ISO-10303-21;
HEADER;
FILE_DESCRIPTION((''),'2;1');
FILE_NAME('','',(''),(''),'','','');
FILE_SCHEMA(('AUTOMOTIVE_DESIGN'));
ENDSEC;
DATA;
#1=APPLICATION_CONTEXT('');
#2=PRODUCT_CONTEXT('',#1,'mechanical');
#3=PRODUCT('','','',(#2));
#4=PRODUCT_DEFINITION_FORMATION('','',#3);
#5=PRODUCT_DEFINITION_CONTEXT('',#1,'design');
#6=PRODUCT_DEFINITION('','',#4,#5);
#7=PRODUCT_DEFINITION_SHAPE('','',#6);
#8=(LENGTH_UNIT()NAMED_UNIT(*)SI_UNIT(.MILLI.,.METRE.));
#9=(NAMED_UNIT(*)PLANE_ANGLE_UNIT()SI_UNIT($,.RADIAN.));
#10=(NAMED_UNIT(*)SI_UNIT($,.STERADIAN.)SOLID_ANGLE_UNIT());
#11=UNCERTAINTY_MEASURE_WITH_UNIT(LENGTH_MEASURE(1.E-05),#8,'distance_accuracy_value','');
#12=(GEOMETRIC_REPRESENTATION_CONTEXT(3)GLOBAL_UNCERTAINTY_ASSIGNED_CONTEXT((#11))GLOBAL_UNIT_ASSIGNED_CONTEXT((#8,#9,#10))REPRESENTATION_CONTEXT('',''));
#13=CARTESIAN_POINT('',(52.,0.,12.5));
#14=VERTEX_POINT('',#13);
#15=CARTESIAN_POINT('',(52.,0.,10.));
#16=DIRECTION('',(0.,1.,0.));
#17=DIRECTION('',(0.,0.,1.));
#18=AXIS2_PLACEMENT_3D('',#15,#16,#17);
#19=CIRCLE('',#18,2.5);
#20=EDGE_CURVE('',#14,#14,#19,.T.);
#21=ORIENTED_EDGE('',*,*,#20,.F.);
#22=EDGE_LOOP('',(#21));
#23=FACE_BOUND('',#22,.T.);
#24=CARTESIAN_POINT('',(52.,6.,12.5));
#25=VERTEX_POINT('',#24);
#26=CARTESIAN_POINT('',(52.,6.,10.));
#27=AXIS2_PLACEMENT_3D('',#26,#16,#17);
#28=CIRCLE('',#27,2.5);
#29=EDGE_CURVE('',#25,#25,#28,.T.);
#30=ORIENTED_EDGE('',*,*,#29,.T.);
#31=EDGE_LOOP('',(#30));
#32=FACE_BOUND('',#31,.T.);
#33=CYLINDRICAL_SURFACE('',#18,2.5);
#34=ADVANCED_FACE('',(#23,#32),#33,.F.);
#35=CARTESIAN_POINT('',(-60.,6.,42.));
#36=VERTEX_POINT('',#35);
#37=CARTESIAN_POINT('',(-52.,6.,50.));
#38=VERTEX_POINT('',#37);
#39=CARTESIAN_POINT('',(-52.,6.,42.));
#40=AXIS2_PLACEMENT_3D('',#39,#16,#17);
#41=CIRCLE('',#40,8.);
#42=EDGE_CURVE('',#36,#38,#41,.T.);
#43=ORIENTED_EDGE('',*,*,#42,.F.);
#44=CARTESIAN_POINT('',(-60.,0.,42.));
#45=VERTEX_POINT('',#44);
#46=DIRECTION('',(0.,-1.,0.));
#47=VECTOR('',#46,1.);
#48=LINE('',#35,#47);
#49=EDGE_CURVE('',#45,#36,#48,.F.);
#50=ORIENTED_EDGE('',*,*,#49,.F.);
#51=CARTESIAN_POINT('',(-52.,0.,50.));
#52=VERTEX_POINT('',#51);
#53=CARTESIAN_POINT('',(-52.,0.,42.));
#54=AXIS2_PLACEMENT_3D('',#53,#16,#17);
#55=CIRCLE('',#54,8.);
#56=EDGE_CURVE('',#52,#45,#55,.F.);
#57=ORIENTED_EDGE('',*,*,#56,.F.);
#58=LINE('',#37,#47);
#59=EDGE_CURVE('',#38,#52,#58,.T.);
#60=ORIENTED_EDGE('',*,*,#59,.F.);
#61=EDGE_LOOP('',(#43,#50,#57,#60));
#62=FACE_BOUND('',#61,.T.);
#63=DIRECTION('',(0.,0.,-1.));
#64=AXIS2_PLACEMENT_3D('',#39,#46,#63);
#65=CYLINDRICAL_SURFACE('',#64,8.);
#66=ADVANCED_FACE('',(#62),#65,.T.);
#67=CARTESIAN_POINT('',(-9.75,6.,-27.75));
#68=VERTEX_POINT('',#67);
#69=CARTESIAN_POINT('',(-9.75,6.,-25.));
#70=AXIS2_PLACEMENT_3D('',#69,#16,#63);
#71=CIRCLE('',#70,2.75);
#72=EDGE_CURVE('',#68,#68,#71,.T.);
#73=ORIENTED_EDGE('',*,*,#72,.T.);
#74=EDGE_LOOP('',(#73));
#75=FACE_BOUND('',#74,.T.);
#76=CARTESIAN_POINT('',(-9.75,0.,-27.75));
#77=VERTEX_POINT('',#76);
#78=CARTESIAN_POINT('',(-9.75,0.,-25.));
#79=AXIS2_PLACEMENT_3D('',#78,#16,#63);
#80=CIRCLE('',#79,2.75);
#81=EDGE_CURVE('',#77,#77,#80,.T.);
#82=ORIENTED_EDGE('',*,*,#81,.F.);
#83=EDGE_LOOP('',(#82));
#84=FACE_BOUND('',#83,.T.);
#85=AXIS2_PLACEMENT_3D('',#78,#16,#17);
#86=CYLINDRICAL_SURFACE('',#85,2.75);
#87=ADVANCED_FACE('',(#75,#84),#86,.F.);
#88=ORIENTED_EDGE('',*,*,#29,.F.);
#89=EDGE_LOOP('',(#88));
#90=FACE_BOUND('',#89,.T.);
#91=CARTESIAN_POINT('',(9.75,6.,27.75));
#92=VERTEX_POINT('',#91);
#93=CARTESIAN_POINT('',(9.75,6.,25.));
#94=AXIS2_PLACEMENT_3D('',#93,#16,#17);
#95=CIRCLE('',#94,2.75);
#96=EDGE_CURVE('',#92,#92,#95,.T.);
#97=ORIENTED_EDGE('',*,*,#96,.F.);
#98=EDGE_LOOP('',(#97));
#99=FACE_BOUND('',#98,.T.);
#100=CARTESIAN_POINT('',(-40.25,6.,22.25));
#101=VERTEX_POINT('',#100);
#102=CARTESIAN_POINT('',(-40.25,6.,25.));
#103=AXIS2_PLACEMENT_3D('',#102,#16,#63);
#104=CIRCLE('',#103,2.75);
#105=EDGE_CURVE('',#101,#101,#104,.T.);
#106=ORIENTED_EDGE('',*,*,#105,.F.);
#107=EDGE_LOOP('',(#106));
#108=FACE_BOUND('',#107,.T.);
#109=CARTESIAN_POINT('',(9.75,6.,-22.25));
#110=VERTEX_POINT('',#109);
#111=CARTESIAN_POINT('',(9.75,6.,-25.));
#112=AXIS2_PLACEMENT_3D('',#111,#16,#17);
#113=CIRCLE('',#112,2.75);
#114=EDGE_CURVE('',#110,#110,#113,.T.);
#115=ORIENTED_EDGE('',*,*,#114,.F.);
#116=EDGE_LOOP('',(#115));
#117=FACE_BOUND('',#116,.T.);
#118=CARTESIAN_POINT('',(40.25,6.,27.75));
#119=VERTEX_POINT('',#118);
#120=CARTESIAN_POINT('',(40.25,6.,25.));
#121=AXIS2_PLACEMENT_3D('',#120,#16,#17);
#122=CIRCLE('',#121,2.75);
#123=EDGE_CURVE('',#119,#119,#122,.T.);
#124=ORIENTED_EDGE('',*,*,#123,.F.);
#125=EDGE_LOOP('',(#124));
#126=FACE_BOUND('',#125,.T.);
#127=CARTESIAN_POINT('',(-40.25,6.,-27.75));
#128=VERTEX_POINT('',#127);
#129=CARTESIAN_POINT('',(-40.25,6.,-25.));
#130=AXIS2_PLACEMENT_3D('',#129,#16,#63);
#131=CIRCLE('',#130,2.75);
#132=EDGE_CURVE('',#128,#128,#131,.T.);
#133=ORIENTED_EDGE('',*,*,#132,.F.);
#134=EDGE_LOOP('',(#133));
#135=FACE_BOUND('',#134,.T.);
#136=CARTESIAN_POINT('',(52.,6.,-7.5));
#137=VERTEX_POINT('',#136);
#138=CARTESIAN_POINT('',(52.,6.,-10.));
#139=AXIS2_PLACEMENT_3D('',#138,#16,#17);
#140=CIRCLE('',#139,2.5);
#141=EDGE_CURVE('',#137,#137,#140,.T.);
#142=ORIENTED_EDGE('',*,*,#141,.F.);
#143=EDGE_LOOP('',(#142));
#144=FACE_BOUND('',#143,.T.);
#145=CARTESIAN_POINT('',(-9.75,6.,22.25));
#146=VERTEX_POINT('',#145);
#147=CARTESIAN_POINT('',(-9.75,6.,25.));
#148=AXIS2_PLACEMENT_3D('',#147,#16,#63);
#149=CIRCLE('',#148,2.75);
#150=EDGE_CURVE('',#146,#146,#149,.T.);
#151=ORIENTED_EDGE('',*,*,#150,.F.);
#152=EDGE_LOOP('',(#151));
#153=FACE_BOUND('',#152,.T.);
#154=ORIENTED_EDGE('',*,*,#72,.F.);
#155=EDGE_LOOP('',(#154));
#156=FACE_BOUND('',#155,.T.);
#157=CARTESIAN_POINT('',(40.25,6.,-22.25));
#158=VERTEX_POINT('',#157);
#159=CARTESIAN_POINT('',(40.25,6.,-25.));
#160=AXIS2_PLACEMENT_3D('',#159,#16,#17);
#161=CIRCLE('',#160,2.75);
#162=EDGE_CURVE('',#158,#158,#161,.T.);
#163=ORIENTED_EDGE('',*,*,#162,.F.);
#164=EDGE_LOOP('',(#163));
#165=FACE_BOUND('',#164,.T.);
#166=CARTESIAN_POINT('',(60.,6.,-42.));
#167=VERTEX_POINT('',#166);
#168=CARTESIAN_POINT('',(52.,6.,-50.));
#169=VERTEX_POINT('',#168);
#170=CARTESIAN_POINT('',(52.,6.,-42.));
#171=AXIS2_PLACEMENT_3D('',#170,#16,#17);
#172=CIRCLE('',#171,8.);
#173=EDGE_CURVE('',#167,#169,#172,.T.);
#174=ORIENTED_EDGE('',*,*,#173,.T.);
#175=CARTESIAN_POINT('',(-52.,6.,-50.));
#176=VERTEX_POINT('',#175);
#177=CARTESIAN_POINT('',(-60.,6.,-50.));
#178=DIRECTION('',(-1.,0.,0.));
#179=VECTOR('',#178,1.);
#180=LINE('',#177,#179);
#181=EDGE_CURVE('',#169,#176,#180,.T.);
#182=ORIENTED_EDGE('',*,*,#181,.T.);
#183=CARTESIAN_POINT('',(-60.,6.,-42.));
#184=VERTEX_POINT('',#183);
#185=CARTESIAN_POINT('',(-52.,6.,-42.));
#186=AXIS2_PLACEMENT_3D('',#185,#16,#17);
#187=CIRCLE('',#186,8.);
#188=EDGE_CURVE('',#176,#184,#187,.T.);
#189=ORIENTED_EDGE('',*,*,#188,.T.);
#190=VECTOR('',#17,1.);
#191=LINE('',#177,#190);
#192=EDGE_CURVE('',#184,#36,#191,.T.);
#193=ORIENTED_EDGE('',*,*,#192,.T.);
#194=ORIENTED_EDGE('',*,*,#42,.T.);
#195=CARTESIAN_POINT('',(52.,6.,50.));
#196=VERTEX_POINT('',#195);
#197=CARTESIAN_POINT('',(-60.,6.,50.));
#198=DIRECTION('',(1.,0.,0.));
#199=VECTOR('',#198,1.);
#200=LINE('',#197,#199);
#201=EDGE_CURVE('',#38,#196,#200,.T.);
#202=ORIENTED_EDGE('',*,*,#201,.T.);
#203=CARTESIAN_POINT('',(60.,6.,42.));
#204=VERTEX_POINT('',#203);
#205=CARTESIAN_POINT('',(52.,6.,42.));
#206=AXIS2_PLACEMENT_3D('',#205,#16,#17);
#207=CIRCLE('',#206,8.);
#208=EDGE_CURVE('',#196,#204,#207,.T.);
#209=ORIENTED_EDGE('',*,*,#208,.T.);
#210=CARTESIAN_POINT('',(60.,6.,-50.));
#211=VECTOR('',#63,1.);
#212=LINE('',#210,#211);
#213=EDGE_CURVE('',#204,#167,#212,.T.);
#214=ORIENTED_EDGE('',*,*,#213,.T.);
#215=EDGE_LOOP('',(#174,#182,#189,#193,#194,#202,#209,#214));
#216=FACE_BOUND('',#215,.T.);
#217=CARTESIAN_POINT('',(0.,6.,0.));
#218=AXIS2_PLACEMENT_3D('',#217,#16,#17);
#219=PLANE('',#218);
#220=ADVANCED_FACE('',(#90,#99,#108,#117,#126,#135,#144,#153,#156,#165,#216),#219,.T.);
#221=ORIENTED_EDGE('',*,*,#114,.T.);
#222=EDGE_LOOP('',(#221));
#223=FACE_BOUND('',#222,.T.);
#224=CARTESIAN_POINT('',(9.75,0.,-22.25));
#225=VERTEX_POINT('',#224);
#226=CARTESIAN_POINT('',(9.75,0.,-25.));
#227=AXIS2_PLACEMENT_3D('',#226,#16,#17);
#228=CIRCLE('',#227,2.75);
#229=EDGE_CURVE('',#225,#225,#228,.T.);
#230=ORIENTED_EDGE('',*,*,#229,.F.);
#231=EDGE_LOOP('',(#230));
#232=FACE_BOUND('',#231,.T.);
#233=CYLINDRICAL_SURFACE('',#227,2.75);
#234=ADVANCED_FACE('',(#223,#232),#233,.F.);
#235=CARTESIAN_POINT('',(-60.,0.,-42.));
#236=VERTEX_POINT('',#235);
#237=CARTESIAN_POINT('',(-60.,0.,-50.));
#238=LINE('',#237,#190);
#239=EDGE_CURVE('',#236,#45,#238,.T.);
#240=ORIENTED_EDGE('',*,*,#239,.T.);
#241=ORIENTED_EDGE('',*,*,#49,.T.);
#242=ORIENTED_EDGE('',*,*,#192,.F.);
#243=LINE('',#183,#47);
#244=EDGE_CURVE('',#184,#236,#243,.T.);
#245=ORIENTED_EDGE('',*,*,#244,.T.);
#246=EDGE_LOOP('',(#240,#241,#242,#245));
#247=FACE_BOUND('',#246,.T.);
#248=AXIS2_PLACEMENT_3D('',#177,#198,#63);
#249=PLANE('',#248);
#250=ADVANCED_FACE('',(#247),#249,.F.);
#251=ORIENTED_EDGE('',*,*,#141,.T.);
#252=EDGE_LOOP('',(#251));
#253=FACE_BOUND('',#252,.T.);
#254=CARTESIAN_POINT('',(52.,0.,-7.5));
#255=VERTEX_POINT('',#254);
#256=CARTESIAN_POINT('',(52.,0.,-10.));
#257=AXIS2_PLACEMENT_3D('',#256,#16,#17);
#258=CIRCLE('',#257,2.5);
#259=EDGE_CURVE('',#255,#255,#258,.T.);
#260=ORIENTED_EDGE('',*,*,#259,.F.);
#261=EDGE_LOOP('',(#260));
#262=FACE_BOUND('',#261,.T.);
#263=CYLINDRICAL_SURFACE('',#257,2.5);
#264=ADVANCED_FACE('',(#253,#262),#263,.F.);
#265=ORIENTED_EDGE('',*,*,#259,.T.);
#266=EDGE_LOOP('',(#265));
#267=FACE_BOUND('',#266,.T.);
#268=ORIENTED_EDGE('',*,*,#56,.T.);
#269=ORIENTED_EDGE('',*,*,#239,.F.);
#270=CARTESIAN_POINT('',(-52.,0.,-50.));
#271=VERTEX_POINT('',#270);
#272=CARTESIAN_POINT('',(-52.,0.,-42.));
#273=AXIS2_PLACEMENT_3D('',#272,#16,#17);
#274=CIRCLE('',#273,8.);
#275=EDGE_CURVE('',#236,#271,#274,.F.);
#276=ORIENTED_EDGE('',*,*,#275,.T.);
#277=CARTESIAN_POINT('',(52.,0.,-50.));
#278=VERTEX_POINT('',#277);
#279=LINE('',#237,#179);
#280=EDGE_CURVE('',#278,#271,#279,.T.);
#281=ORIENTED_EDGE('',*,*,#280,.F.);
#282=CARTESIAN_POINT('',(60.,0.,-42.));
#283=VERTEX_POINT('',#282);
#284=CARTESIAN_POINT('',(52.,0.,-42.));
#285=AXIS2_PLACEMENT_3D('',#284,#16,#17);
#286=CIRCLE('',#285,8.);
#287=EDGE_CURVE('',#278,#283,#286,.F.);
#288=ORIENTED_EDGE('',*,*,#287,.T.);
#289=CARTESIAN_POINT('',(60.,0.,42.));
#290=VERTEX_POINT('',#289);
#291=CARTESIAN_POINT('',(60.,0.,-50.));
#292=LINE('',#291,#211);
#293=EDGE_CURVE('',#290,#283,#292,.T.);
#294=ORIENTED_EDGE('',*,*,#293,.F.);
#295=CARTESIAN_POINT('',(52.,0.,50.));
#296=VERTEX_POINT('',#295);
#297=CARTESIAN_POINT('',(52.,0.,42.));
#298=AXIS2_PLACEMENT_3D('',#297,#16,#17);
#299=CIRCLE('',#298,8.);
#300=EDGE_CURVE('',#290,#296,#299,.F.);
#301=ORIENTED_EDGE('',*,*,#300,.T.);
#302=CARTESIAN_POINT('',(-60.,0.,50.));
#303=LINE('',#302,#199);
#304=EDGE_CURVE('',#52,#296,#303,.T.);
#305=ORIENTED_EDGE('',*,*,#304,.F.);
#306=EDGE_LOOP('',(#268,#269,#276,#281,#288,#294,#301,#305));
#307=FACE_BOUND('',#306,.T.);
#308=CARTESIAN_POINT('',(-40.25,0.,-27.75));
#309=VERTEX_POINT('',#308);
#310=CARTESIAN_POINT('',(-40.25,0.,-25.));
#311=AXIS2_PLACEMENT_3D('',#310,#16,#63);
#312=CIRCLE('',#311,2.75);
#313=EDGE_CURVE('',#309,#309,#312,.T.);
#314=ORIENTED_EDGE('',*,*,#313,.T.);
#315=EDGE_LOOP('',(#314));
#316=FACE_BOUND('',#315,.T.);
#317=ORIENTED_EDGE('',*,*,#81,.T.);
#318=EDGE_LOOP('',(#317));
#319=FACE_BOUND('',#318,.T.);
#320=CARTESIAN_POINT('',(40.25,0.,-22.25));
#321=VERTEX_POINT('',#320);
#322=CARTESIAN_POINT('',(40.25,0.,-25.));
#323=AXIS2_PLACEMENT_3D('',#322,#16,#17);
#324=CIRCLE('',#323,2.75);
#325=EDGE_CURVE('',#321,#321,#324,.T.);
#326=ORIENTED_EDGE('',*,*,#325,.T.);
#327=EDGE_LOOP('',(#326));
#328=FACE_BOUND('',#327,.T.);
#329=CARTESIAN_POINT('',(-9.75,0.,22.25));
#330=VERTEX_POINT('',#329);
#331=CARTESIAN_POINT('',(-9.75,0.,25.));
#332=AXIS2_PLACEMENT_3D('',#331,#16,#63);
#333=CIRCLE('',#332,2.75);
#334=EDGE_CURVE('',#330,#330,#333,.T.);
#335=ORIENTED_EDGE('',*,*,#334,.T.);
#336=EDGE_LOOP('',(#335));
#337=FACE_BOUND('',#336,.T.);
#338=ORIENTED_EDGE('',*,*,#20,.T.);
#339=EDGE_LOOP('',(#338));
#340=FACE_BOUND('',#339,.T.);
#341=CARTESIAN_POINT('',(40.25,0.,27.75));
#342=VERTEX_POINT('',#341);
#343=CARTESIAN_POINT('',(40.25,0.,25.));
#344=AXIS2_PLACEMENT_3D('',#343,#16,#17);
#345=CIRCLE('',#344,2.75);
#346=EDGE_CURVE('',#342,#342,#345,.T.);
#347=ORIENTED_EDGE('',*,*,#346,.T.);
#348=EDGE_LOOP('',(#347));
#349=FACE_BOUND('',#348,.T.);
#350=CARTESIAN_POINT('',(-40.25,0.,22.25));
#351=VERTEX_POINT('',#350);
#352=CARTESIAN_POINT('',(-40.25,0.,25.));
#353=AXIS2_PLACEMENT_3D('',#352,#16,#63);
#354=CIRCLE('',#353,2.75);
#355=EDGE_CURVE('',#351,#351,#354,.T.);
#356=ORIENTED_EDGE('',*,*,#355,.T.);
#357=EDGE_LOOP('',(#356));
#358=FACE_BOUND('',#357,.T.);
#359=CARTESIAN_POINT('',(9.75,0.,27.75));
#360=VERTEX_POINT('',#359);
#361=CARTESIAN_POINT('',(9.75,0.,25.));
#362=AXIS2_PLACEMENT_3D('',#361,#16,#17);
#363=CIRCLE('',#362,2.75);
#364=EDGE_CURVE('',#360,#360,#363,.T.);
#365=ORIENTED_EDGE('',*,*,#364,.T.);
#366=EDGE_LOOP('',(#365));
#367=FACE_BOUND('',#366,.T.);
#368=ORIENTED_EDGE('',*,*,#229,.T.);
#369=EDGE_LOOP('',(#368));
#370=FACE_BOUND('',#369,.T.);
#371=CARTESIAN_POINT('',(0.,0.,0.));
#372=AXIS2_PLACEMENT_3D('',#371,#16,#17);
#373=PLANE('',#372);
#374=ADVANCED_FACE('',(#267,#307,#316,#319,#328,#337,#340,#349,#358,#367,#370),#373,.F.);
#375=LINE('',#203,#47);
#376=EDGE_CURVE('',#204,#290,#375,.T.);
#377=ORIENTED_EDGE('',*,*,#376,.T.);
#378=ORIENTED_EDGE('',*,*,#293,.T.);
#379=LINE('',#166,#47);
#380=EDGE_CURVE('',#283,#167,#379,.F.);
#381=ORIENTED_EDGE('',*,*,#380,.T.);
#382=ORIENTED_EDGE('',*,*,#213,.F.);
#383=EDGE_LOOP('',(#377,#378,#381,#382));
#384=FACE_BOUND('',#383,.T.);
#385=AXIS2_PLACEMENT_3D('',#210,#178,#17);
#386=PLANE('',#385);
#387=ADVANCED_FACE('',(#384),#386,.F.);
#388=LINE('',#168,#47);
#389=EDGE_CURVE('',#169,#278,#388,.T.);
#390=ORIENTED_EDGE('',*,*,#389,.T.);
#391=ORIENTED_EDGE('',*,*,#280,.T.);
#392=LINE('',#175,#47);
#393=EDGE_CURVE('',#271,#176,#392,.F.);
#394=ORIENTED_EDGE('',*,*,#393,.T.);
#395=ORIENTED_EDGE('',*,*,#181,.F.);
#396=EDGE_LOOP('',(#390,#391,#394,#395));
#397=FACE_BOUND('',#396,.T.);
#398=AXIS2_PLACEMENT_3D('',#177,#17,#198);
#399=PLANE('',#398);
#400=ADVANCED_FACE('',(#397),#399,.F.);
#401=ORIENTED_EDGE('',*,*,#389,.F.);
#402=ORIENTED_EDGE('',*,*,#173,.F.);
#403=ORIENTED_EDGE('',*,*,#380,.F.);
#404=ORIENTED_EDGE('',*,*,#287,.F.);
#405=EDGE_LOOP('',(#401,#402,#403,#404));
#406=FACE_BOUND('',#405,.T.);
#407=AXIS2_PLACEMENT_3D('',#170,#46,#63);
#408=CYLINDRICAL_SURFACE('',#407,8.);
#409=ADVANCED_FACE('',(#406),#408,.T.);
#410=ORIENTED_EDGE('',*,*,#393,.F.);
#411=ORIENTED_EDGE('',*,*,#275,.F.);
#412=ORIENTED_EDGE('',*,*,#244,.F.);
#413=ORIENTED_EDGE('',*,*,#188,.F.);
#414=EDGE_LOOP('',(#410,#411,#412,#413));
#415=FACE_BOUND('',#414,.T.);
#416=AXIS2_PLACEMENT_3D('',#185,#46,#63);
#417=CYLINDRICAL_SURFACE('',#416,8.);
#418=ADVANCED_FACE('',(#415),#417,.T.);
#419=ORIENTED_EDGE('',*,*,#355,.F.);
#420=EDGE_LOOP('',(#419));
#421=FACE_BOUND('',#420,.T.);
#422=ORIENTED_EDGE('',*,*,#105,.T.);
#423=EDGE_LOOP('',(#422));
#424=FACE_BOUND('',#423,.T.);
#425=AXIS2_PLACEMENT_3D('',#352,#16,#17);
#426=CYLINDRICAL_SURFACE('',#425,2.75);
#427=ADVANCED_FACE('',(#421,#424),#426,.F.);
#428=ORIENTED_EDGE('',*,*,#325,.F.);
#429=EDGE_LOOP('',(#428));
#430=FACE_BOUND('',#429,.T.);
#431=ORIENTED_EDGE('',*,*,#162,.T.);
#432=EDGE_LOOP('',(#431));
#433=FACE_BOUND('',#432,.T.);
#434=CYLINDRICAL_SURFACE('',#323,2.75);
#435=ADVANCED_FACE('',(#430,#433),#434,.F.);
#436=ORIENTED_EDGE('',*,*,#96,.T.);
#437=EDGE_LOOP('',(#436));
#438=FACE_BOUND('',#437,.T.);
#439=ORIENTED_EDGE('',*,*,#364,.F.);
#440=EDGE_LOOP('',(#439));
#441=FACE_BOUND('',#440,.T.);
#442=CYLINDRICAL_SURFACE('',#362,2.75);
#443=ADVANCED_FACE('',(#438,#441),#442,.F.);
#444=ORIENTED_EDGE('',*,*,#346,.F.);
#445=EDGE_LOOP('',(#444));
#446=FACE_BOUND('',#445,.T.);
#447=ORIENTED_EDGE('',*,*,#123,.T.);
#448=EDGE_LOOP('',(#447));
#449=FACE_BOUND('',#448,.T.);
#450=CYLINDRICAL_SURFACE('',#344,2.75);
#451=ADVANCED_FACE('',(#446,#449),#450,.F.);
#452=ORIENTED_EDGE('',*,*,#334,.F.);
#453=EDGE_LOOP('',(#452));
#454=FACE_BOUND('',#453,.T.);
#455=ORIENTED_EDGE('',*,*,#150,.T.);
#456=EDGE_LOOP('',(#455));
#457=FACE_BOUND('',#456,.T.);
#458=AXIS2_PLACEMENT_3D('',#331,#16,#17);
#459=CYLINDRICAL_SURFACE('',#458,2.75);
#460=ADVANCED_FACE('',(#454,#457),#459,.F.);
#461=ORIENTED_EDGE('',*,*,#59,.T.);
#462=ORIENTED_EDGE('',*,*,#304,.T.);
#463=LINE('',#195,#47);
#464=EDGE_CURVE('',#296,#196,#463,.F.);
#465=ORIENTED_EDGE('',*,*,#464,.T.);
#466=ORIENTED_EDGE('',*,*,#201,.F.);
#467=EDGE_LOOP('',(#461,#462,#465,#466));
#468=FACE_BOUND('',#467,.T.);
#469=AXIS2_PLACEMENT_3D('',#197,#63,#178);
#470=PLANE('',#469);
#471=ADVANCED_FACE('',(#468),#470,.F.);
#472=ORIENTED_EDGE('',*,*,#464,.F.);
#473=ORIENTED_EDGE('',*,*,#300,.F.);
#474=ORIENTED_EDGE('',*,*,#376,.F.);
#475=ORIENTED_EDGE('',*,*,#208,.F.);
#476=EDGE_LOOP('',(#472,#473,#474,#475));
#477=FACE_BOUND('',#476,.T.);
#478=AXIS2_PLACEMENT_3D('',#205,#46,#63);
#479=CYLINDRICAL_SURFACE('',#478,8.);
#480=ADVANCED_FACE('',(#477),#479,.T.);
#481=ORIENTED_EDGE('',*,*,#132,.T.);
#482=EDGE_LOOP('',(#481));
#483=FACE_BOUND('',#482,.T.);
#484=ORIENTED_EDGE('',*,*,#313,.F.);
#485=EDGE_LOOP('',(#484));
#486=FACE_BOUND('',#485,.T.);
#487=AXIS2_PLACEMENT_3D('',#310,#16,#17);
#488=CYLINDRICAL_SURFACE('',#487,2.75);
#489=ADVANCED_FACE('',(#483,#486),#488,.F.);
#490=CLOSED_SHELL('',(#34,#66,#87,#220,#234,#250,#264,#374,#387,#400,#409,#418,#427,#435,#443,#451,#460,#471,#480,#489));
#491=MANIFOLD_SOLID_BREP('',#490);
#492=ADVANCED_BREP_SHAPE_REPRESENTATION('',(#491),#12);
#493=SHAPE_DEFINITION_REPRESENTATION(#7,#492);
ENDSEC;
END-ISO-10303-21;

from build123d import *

# Parameters (mm, degrees)
ESBO_O1_W                = 120
ESBO_O1_H                = 100
RESSALTO_EXTRUS_O1_DEPTH = 6
ESBO_O2_R                = 2.75
CORTE_EXTRUS_O1_DEPTH    = 79.33262411
FILETE1_R                = 8
ESBO_O3_R                = 2.5
CORTE_EXTRUS_O2_DEPTH    = 79.33262411


with BuildPart() as part:
    # Esboço1 → Ressalto-extrusão1 (new body)
    with BuildSketch(Plane(origin=(0, 0, 0), x_dir=(1, 0, 0), z_dir=(0, 1, 0))):
        Rectangle(ESBO_O1_W, ESBO_O1_H)
    extrude(amount=RESSALTO_EXTRUS_O1_DEPTH)

    # Esboço2 → Corte-extrusão1 (cut, through all)
    with BuildSketch(Plane(origin=(0, 6, 0), x_dir=(1, 0, 0), z_dir=(0, 1, 0))):
        with Locations(Location((9.75, 25, 0), (0, 0, 270))):
            Circle(ESBO_O2_R)
        with Locations(Location((40.25, 25, 0), (0, 0, 270))):
            Circle(ESBO_O2_R)
        with Locations(Location((9.75, -25, 0), (0, 0, 270))):
            Circle(ESBO_O2_R)
        with Locations(Location((40.25, -25, 0), (0, 0, 270))):
            Circle(ESBO_O2_R)
        with Locations(Location((-40.25, -25, 0), (0, 0, 90))):
            Circle(ESBO_O2_R)
        with Locations(Location((-9.75, -25, 0), (0, 0, 90))):
            Circle(ESBO_O2_R)
        with Locations(Location((-40.25, 25, 0), (0, 0, 90))):
            Circle(ESBO_O2_R)
        with Locations(Location((-9.75, 25, 0), (0, 0, 90))):
            Circle(ESBO_O2_R)
    extrude(amount=-CORTE_EXTRUS_O1_DEPTH, mode=Mode.SUBTRACT)

    # Filete1
    filete1_edges = [part.edges().sort_by_distance(p)[0] for p in [
        (60, 3, 50),
        (-60, 3, 50),
        (-60, 3, -50),
        (60, 3, -50),
    ]]
    fillet(filete1_edges, radius=FILETE1_R)

    # Esboço3 → Corte-extrusão2 (cut, through all)
    with BuildSketch(Plane(origin=(0, 6, 0), x_dir=(1, 0, 0), z_dir=(0, 1, 0))):
        with Locations(Location((52, 10, 0), (0, 0, 270))):
            Circle(ESBO_O3_R)
        with Locations(Location((52, -10, 0), (0, 0, 270))):
            Circle(ESBO_O3_R)
    extrude(amount=-CORTE_EXTRUS_O2_DEPTH, mode=Mode.SUBTRACT)


solid = part.part
